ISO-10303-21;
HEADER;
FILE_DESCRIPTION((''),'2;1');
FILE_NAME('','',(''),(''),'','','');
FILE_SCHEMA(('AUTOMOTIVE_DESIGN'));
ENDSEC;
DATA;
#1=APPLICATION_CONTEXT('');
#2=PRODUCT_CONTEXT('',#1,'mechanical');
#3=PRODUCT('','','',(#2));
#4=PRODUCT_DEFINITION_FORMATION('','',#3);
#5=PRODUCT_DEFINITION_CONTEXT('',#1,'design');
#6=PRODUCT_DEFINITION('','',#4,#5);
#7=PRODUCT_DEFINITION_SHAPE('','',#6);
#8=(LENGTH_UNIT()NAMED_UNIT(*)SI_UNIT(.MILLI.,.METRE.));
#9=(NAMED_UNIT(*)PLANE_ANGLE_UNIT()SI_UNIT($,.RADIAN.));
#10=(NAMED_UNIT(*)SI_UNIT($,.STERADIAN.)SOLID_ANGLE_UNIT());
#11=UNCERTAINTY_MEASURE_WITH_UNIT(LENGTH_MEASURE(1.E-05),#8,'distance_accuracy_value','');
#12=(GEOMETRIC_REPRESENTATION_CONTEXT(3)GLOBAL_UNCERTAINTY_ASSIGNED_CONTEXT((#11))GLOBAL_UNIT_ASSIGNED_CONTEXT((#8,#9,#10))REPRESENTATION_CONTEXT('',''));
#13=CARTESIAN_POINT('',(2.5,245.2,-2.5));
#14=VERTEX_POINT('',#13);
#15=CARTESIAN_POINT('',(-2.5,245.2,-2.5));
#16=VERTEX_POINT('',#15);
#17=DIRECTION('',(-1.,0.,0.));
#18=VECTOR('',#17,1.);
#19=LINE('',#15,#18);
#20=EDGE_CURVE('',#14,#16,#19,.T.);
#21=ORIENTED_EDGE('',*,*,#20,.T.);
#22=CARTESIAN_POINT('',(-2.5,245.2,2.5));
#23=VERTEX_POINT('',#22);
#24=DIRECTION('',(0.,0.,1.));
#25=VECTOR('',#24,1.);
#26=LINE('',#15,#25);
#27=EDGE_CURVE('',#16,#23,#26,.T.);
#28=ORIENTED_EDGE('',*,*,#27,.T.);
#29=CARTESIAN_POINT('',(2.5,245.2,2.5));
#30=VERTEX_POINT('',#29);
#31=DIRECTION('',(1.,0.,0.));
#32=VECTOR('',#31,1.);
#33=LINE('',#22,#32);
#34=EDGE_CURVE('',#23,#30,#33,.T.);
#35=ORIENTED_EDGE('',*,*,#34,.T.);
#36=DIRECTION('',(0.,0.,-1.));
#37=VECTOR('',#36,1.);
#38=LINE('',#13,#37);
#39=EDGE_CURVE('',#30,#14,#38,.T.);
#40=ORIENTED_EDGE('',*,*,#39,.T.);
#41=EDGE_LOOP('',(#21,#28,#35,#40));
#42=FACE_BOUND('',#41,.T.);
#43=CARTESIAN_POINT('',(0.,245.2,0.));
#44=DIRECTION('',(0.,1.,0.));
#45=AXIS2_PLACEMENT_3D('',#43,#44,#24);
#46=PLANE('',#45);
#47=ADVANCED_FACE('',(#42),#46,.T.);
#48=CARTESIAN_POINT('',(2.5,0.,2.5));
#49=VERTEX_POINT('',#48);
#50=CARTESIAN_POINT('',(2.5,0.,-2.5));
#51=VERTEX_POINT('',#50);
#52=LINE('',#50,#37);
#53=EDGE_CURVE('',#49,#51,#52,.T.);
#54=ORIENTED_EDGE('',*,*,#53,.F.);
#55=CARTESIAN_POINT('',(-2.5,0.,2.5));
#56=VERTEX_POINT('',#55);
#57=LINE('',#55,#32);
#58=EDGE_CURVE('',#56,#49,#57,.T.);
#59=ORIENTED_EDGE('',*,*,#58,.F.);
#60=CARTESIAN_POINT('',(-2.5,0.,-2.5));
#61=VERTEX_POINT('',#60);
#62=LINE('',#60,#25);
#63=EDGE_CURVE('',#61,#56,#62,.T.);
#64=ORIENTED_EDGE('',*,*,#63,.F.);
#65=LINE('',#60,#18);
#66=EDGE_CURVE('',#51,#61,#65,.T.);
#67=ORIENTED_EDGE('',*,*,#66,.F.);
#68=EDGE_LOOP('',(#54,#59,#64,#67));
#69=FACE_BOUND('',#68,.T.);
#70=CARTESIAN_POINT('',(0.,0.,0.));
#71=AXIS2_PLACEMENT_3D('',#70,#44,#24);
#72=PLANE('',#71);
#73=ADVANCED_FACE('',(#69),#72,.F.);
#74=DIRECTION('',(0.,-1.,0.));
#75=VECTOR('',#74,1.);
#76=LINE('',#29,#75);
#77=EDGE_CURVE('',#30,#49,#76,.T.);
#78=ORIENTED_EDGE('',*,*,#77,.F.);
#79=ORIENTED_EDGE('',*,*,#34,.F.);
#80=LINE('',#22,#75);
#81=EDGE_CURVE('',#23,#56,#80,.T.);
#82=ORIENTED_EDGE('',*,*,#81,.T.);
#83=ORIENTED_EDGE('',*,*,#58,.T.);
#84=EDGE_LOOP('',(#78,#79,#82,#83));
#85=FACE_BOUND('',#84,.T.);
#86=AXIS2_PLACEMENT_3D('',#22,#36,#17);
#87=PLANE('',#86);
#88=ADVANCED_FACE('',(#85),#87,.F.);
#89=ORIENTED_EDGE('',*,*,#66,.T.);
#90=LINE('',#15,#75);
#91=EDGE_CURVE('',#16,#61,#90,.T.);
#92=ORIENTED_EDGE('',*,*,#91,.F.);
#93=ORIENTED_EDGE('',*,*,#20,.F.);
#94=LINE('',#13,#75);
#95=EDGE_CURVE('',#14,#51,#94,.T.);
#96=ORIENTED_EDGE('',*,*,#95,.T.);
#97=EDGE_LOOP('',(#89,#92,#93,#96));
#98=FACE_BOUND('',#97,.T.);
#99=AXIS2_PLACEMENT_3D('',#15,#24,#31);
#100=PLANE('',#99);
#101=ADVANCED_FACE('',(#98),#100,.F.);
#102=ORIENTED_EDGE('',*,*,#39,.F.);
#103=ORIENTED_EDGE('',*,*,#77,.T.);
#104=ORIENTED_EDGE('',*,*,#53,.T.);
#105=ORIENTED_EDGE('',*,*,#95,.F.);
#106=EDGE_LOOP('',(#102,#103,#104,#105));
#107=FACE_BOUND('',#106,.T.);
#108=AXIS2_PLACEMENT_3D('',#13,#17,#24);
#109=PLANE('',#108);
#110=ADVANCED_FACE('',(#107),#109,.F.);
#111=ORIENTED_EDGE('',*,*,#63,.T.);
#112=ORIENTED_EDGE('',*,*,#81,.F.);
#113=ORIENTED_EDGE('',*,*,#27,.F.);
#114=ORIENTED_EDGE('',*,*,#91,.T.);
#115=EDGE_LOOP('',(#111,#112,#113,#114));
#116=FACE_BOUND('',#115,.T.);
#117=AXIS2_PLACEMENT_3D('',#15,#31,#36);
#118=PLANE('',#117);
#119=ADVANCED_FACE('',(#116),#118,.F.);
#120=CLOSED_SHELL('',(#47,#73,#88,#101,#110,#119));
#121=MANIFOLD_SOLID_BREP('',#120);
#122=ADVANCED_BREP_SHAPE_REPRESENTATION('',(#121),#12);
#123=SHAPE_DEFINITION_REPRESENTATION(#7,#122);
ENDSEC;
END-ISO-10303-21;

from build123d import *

# Parameters (mm, degrees)
SKETCH_1_W      = 5
SKETCH_1_H      = 5
EXTRUDE_1_DEPTH = 245.2


with BuildPart() as part:
    # Эскиз1 → Бобышка-Вытянуть1 (new body)
    with BuildSketch(Plane(origin=(0, 0, 0), x_dir=(1, 0, 0), z_dir=(0, 1, 0))):
        Rectangle(SKETCH_1_W, SKETCH_1_H)
    extrude(amount=EXTRUDE_1_DEPTH)


solid = part.part
